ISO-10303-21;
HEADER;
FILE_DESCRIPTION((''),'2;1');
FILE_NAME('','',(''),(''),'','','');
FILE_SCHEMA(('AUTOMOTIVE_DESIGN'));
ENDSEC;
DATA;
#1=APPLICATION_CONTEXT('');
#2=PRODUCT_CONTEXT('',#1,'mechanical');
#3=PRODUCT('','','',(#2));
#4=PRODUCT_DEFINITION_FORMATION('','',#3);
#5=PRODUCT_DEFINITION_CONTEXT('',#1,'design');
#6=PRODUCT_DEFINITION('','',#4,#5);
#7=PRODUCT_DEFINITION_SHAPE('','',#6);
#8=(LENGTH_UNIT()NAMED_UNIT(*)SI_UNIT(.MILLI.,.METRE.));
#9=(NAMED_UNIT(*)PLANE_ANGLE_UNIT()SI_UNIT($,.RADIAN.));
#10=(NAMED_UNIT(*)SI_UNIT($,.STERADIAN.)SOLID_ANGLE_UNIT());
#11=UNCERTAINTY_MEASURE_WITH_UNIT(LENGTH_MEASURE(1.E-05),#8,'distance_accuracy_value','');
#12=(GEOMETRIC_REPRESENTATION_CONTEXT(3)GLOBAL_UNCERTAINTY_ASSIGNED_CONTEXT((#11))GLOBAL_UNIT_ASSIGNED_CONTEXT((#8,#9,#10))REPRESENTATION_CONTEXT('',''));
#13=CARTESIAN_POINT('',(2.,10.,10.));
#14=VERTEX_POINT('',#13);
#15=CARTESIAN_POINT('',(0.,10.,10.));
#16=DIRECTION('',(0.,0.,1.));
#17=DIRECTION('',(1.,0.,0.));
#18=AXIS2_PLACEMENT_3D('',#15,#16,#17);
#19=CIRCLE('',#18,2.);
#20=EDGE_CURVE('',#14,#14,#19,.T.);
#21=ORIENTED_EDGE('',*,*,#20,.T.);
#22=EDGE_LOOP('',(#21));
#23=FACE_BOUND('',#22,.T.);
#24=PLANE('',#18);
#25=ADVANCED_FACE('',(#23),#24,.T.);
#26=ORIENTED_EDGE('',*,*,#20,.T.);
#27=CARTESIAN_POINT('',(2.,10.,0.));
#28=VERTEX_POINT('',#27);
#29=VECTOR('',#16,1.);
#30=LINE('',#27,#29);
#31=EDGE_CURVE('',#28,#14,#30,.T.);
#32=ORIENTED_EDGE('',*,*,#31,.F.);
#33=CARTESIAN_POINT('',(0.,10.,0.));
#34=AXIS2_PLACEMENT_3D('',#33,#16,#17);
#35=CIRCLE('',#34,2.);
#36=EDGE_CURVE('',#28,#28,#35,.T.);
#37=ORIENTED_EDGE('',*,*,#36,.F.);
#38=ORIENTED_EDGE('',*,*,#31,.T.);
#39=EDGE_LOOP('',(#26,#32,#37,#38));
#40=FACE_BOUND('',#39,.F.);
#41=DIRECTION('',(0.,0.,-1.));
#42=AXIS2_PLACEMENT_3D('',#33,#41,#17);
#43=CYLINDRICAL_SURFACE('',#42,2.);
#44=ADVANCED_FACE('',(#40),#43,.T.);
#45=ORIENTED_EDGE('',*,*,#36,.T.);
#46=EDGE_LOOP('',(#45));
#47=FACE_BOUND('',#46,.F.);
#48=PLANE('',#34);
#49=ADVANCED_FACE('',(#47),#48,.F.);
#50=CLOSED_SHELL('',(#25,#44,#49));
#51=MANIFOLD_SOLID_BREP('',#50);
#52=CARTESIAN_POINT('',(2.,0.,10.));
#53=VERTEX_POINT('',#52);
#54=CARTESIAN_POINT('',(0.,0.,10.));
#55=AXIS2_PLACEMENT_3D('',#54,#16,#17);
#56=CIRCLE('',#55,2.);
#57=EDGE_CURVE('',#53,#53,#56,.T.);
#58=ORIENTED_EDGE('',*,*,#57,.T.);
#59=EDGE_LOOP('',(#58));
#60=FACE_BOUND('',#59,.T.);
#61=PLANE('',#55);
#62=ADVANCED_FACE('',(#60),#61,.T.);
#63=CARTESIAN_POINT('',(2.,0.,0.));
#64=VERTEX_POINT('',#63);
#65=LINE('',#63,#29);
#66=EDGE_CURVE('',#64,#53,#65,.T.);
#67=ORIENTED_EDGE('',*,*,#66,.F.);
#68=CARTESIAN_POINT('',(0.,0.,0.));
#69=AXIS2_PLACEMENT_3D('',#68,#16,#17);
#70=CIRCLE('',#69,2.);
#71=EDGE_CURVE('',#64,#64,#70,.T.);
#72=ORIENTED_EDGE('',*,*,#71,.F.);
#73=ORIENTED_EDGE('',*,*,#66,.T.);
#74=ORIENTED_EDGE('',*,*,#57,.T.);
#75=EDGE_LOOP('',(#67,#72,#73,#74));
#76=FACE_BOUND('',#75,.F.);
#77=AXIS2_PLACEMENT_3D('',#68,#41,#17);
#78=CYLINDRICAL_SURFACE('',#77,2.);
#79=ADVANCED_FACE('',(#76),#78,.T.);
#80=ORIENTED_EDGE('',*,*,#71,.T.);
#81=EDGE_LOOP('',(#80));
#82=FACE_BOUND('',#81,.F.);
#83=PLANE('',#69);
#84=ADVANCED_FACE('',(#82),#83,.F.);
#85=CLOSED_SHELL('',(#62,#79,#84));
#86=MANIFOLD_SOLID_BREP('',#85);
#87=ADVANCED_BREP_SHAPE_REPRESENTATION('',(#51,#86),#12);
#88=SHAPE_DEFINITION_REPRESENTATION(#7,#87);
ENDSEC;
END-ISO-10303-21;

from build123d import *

# Parameters (mm, degrees)
CYLINDER001_R     = 2
CYLINDER001_DEPTH = 10
CYLINDER_R        = 2
CYLINDER_DEPTH    = 10


with BuildPart() as block_hole2:
    # Cylinder001 → Cylinder001 (new body)
    with BuildSketch(Plane(origin=(0, 10, 0), x_dir=(1, 0, 0), z_dir=(0, 0, 1))):
        Circle(CYLINDER001_R)
    extrude(amount=CYLINDER001_DEPTH)


with BuildPart() as block_holes_c:
    # Cylinder → Cylinder (new body)
    with BuildSketch(Plane.XY):
        Circle(CYLINDER_R)
    extrude(amount=CYLINDER_DEPTH)

    # Fusion: union block_hole2
    add(block_hole2.part)


solid = block_holes_c.part
